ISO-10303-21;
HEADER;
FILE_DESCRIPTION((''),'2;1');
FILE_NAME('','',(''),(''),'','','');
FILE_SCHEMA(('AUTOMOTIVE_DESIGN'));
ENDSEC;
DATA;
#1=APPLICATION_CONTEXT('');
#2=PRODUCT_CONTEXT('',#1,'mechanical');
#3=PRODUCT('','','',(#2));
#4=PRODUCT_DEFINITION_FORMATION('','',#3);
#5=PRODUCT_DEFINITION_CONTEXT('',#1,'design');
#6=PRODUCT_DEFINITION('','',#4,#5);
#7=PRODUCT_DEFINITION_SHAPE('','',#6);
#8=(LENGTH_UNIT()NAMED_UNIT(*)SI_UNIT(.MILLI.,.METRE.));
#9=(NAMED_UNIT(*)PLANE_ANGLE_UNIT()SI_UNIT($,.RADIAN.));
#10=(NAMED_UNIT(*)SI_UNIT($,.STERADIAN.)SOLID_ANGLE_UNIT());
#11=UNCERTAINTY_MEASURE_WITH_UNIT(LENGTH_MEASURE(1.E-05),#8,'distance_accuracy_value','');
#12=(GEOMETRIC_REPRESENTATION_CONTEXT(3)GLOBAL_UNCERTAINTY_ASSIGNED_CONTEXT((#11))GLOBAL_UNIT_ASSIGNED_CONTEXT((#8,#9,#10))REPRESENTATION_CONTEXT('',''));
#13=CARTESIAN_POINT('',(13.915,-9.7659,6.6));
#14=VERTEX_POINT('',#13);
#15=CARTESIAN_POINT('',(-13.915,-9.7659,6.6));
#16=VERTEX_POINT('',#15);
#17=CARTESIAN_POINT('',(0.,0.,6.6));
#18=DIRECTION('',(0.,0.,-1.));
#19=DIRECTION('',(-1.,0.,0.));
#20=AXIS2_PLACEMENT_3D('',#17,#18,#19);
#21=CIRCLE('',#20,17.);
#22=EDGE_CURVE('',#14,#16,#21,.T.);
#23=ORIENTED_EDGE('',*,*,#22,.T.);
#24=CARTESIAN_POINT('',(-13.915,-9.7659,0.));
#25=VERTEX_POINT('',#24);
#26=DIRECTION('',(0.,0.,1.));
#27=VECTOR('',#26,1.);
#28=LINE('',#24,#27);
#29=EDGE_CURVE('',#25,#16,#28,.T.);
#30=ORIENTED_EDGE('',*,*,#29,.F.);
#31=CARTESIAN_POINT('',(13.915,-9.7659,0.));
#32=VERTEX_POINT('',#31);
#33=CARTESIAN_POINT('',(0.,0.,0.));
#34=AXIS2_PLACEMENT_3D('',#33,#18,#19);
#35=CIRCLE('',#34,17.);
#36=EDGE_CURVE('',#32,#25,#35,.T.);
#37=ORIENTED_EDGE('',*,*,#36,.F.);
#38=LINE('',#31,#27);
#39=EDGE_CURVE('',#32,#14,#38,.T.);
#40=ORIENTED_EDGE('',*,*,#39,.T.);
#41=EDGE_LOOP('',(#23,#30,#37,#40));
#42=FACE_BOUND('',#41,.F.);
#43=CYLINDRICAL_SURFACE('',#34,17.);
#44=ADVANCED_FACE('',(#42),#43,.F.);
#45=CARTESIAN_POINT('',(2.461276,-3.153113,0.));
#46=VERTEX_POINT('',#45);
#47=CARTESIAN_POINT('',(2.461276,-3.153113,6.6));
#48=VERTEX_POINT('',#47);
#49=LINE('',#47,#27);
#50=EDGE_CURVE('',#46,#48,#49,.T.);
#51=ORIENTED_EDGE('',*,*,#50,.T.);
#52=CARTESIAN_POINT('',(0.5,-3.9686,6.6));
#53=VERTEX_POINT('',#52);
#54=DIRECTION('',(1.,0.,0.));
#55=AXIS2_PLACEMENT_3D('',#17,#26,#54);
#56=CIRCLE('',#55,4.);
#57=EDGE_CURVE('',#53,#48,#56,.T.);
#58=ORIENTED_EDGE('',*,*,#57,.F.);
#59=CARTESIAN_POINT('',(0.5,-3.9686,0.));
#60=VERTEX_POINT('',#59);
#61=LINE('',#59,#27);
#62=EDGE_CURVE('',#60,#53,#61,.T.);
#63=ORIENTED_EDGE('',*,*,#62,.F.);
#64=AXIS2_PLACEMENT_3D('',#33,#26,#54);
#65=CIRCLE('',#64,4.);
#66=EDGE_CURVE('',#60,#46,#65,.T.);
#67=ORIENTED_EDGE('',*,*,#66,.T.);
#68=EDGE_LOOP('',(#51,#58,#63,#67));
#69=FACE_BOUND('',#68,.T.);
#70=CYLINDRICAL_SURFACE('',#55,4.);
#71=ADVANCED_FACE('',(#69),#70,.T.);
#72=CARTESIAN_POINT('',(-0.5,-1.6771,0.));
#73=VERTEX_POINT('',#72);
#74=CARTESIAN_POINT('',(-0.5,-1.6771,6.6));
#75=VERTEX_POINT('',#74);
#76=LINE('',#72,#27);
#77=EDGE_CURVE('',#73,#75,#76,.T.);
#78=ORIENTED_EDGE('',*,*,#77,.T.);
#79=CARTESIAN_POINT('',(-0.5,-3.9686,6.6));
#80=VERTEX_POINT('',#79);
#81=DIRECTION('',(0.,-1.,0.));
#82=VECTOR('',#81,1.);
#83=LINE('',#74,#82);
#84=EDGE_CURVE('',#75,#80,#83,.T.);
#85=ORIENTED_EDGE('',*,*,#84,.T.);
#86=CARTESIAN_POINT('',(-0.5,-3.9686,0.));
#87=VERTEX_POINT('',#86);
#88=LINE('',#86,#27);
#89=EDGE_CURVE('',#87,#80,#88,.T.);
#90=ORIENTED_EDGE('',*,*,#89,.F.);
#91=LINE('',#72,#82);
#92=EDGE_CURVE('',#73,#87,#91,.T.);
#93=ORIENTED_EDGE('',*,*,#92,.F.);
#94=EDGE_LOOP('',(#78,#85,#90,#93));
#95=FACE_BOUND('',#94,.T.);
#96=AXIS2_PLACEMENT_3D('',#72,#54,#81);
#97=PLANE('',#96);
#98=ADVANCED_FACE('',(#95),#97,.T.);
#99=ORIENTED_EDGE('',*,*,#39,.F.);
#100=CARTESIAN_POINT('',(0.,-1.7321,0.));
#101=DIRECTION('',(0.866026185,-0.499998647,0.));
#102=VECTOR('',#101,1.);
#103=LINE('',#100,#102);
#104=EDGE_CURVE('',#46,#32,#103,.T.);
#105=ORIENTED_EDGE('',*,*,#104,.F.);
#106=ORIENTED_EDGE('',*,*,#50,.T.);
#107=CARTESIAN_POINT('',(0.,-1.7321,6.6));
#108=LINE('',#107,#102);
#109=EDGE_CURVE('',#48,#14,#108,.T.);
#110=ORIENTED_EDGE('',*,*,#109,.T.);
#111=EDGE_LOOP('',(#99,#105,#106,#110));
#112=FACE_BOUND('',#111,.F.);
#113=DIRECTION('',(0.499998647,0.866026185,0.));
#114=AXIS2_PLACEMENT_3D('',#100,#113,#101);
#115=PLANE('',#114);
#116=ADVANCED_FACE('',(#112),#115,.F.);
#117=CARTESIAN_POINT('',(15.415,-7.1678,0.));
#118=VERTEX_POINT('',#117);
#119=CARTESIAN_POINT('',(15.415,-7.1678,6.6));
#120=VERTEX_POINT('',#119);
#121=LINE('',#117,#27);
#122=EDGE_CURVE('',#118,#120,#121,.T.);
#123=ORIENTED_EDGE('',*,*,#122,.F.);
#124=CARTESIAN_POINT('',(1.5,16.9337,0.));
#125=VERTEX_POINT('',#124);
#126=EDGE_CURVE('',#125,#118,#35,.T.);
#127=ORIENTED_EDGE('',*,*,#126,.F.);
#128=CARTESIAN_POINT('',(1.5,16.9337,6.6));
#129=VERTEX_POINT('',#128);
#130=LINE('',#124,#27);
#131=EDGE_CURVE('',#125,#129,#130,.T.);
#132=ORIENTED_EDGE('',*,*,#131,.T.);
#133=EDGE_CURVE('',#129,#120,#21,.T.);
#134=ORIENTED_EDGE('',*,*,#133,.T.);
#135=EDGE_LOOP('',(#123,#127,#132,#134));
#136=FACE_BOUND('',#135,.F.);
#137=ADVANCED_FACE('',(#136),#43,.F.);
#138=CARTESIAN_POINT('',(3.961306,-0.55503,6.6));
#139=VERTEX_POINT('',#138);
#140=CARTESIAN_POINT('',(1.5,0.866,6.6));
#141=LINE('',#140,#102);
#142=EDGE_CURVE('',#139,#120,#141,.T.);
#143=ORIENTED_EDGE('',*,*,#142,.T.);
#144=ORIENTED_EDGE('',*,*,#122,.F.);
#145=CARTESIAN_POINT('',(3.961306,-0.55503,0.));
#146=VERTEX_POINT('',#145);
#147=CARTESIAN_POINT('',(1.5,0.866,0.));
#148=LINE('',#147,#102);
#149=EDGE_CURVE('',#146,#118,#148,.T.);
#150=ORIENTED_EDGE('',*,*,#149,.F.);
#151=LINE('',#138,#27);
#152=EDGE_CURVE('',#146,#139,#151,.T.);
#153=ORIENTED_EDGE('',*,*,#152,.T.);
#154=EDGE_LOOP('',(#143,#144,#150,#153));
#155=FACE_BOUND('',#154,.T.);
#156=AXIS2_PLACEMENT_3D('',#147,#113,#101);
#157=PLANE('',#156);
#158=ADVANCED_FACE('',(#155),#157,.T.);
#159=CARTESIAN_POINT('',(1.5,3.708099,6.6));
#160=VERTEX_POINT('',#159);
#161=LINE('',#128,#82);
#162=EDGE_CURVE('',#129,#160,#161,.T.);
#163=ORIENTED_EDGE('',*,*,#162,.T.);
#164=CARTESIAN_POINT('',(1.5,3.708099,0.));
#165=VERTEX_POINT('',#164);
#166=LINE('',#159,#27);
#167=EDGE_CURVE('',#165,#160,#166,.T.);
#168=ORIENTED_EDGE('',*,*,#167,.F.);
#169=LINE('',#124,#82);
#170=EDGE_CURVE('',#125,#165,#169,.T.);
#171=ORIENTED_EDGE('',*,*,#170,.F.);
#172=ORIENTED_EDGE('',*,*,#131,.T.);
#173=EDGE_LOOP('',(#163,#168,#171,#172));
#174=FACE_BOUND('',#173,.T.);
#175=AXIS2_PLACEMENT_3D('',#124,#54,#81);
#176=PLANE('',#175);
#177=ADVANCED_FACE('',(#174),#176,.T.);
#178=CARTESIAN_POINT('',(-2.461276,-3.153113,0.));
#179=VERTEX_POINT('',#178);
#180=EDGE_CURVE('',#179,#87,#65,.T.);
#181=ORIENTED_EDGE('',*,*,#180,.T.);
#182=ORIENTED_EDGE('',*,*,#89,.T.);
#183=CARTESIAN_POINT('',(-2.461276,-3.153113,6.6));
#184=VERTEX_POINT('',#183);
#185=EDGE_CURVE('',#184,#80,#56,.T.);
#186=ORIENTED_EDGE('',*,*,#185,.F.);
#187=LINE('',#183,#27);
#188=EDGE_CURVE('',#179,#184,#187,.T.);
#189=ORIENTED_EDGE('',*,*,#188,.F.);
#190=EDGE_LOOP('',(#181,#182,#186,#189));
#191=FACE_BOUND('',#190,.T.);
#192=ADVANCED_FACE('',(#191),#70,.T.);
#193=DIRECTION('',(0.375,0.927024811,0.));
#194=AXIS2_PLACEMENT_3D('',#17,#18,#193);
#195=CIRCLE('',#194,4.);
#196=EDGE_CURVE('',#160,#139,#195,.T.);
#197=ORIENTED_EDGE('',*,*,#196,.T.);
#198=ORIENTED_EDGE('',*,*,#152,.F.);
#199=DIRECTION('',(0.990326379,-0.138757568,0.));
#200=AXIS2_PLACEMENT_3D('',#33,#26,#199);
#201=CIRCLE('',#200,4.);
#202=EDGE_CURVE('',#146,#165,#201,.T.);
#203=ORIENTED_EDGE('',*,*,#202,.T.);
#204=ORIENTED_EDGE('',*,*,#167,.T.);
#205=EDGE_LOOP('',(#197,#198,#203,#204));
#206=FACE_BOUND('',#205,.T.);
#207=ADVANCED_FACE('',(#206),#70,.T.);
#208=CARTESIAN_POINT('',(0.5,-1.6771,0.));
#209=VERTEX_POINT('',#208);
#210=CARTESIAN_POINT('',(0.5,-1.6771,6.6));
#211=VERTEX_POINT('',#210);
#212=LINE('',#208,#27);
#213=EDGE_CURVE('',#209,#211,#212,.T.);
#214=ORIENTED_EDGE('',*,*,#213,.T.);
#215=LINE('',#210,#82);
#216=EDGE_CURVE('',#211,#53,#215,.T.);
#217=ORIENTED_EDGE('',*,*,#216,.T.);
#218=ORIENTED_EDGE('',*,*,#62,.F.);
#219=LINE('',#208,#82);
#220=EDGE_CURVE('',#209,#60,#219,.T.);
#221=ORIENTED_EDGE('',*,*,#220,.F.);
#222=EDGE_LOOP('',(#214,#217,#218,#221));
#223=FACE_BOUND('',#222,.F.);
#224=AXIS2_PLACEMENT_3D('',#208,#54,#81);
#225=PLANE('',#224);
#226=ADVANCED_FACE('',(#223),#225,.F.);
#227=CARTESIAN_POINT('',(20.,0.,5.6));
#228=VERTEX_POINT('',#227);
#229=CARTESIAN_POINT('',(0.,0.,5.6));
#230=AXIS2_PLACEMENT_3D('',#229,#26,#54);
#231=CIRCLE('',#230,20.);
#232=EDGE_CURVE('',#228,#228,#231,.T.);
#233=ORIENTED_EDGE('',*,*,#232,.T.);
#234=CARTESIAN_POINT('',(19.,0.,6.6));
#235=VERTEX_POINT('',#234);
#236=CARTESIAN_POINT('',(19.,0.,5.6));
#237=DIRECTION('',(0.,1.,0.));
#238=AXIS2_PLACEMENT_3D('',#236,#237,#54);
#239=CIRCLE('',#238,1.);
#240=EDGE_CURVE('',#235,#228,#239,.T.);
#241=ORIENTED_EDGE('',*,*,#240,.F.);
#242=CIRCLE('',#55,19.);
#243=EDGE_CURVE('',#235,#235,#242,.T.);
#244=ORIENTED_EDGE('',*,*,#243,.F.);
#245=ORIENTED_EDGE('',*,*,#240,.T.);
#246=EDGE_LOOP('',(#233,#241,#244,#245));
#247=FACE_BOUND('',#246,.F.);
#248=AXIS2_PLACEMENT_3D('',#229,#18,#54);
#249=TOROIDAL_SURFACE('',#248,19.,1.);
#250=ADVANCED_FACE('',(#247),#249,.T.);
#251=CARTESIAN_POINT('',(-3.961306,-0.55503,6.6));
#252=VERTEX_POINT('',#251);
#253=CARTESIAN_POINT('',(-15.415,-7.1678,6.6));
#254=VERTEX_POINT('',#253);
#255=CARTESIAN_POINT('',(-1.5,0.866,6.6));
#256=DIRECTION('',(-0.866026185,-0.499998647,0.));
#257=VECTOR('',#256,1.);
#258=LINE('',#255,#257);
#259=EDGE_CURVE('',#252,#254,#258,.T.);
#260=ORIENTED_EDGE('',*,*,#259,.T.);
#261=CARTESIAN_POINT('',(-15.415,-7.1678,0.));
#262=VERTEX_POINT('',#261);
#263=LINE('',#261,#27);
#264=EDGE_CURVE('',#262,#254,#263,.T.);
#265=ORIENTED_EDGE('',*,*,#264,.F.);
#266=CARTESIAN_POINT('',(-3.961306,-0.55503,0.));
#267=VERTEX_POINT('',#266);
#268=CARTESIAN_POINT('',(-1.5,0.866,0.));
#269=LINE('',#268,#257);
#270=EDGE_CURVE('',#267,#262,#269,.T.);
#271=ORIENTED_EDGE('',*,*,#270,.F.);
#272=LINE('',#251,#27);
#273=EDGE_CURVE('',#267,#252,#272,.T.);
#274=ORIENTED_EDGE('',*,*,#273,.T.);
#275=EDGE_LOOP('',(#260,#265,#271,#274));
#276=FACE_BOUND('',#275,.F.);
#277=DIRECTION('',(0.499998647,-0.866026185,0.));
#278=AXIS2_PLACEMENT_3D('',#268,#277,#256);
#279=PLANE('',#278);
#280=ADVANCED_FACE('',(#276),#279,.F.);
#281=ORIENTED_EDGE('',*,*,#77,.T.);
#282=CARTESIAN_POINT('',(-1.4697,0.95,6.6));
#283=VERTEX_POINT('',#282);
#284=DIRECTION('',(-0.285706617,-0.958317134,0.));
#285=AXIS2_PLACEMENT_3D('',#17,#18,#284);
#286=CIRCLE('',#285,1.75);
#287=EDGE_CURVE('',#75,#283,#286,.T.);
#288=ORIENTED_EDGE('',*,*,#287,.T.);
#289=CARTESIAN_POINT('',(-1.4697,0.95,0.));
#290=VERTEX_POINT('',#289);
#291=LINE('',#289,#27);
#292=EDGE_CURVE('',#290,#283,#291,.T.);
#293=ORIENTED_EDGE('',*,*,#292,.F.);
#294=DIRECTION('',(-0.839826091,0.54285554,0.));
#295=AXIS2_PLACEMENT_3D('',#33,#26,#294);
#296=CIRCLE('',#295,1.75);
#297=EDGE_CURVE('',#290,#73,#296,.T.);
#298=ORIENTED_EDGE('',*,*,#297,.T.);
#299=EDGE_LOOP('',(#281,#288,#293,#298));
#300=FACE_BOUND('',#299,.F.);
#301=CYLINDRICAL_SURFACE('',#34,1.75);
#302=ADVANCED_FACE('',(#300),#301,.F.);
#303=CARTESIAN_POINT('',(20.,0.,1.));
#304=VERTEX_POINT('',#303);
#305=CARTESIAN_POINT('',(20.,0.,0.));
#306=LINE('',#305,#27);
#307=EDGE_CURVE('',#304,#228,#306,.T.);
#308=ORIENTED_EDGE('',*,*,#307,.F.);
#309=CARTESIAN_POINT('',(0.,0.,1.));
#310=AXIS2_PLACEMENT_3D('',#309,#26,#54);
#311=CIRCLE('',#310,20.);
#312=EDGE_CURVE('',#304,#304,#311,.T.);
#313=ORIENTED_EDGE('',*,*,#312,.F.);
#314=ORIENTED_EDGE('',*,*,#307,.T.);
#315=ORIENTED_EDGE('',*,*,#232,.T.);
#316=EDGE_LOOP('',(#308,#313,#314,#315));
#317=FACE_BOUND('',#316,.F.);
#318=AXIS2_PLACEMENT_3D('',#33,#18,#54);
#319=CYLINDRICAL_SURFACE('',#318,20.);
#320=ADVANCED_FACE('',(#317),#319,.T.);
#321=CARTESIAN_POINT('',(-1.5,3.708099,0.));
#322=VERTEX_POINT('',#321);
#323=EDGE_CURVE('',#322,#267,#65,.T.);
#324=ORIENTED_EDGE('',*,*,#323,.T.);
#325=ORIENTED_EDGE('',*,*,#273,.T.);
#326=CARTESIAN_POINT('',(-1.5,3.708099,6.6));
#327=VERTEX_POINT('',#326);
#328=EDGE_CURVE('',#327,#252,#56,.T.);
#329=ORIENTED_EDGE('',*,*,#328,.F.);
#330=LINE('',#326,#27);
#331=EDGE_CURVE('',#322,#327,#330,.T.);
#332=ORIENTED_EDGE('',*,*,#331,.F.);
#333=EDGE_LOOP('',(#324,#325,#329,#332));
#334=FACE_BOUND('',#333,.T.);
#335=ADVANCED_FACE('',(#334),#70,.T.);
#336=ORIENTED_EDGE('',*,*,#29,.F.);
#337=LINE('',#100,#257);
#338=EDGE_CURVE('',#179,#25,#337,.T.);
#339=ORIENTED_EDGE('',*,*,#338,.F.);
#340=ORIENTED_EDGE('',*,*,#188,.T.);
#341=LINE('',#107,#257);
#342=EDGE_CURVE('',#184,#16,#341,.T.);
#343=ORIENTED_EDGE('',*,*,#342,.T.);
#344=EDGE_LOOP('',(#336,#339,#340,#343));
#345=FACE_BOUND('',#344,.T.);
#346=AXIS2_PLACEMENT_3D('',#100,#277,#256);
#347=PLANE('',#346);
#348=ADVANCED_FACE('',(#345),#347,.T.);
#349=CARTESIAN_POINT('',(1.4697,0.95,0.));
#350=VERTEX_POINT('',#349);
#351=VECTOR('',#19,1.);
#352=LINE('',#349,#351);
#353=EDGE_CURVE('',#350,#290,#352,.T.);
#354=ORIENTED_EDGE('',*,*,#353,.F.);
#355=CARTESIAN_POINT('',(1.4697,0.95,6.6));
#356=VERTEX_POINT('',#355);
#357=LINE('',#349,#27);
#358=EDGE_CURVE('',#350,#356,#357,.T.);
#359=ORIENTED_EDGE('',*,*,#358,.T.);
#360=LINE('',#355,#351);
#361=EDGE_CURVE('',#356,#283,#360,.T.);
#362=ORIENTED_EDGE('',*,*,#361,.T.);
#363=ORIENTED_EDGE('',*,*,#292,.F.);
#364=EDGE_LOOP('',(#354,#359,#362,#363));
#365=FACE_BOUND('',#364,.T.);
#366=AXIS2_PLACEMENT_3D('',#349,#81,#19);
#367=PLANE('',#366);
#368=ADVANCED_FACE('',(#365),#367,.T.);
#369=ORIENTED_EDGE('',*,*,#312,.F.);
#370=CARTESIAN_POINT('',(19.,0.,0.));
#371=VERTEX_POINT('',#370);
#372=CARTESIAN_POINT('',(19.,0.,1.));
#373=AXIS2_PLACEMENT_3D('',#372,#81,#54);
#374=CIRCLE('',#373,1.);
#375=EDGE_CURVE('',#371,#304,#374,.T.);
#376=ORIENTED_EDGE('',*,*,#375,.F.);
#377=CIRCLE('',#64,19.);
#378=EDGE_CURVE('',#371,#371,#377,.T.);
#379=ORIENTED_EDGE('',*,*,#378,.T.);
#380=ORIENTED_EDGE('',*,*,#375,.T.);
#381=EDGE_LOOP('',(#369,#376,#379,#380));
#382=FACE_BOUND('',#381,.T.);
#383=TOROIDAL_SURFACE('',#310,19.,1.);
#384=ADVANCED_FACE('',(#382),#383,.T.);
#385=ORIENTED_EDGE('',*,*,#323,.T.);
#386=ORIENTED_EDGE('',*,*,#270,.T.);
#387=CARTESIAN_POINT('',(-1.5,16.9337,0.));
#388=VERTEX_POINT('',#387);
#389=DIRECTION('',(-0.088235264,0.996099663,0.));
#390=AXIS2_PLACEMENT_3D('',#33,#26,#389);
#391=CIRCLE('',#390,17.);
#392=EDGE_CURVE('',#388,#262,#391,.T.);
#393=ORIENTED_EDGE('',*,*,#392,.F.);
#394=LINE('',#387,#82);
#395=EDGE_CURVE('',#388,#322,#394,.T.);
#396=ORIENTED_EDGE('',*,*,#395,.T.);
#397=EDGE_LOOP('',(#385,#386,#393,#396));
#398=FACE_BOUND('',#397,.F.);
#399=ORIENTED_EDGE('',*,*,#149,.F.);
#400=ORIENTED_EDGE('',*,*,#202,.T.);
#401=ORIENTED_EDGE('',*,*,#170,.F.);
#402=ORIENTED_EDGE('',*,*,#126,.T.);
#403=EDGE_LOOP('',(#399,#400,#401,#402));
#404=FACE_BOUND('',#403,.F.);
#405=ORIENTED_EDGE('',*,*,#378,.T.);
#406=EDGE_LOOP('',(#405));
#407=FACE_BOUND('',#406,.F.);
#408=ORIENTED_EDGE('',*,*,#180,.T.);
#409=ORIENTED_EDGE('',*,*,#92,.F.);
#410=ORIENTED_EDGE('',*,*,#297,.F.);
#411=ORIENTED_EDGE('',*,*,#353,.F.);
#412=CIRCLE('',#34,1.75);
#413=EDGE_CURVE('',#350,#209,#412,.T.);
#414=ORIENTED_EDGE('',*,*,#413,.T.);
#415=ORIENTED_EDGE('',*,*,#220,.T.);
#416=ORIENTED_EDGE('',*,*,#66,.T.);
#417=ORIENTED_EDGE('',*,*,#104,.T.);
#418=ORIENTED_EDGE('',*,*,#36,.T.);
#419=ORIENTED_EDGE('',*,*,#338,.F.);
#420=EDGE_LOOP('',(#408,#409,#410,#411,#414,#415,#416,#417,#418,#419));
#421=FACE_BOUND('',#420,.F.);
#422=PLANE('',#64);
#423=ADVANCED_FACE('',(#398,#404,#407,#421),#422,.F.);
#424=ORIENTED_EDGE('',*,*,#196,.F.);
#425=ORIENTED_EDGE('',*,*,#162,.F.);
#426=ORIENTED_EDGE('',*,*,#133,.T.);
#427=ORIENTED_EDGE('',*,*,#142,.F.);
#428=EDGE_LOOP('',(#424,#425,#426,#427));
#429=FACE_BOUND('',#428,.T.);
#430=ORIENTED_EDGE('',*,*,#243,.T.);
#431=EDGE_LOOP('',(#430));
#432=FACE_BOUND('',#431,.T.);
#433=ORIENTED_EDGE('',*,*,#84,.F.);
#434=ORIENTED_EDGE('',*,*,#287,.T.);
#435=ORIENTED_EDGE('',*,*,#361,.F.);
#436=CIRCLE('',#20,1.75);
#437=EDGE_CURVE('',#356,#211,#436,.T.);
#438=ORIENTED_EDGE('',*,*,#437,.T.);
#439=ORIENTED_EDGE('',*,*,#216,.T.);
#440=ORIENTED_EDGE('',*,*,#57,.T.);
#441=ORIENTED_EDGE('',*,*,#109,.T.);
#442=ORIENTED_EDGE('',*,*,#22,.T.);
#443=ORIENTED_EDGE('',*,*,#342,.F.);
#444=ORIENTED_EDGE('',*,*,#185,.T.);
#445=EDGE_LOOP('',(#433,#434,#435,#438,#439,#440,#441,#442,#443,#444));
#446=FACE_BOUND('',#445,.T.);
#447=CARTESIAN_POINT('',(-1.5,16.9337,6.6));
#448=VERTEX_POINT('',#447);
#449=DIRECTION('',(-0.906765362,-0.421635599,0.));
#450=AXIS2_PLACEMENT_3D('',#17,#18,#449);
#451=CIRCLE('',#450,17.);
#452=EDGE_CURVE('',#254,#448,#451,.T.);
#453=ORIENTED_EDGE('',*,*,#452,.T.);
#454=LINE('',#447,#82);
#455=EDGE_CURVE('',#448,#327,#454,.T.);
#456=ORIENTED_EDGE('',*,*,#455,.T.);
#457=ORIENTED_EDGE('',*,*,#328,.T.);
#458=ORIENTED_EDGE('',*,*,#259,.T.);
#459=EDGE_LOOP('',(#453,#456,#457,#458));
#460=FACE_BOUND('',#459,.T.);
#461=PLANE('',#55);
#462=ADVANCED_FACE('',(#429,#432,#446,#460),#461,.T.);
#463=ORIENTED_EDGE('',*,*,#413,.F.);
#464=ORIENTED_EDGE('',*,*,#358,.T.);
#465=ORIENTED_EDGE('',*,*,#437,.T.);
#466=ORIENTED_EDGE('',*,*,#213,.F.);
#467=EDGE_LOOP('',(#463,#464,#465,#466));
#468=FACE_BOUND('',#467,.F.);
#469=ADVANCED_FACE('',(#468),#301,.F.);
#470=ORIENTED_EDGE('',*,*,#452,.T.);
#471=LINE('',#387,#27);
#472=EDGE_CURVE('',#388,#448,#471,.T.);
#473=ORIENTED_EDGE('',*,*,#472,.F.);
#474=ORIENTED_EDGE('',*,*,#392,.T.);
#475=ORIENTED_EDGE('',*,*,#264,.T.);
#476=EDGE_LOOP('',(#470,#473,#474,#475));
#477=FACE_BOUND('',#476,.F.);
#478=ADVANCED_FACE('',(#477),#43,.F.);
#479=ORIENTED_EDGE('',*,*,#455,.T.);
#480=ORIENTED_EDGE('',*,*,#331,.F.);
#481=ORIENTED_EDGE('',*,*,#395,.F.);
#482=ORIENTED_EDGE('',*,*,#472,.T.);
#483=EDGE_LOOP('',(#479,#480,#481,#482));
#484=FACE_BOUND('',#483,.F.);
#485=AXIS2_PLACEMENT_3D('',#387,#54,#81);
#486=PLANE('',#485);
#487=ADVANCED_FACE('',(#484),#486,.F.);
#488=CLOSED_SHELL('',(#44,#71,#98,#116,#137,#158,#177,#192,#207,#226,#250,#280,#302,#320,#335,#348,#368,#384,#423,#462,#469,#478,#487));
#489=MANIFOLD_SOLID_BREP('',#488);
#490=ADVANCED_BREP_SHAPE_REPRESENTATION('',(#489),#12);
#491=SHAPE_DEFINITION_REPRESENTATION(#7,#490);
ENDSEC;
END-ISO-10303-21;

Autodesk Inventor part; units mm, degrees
ref_plane "YZ Plane" through (0, 0, 0) normal (1, 0, 0) x (0, 1, 0)
ref_plane "XZ Plane" through (0, 0, 0) normal (0, 1, 0) x (-1, 0, 0)
ref_plane "XY Plane" through (0, 0, 0) normal (0, 0, 1) x (1, 0, 0)
sketch "Sketch1" plane through (0, 0, 0) normal (0, 0, 1) x (1, 0, 0)
  circle A0 centre (0, 0) radius 20
  dimension "d0" = 40
extrude "Extrusion1" add sketch "Sketch1" along normal blind 6.6
sketch "Sketch3" plane through (0, 0, 0) normal (0, 0, -1) x (-1, 0, 0)
  circle A0 centre (0, 0) radius 17
  line L0 (0, 17) -> (0, 0)
  line L1 (0, 0) -> (14.7224, -8.5)
  line L2 (0, 0) -> (-14.7224, -8.5)
  line L3 (0, 0) -> (17, 0) construction
  line L4 (1.5, 16.9337) -> (1.5, 0.866)
  line L5 (-1.5, 16.9337) -> (-1.5, 0.866)
  line L6 (-1.5, 0.866) -> (-15.415, -7.1678)
  line L7 (0, -1.7321) -> (-13.915, -9.7659)
  line L8 (1.5, 0.866) -> (15.415, -7.1678)
  line L9 (0, -1.7321) -> (13.915, -9.7659)
  dimension "d6" = 34
  dimension "d7" = 120
  dimension "d8" = 150
  dimension "d9" = 1.5
  dimension "d10" = 1.5
  dimension "d11" = 1.5
  dimension "d12" = 1.5
  dimension "d13" = 1.5
  dimension "d14" = 1.5
extrude "Extrusion3" cut sketch "Sketch3" against normal up to surface (6.6 mm away) contours A0 L8 L4 | L5 L6 A0 | A0 L7 L9
sketch "Sketch5" plane through (0, 0, 6.6) normal (0, 0, 1) x (1, 0, 0)
  circle A0 centre (0, 0) radius 4
  dimension "d20" = 8
extrude "Extrusion5" add sketch "Sketch5" against normal blind 6.6
sketch "Sketch6" plane through (0, 0, 0) normal (0, 0, -1) x (-1, 0, 0)
  circle A0 centre (0, 0) radius 1.75
  line L0 (0, -1.75) -> (0, -4)
  arc A1 (-2.4613, -3.1531) -> (2.4613, -3.1531) centre (0, 0) ccw projected
  line L1 (0.5, -1.6771) -> (0.5, -3.9686)
  line L2 (-0.5, -1.6771) -> (-0.5, -3.9686)
  line L3 (-1.4697, 0.95) -> (1.4697, 0.95)
  point P0 (0.0845, 0.95)
  dimension "d23" = 3.5
  dimension "d24" = 0.5
  dimension "d25" = 0.5
  dimension "d29" = 2.7
extrude "Extrusion6" cut sketch "Sketch6" against normal up to surface (6.6 mm away) contours A0 L3 | L1 A1 L0 A0 | L0 A1 L2 A0 picked at (-0.299, -0.0924)
fillet "Arredondamento1" radius 1 2 edges at (-20, 0, 6.6) (-20, 0, 0)
properties part number "wheel35mmV1"
